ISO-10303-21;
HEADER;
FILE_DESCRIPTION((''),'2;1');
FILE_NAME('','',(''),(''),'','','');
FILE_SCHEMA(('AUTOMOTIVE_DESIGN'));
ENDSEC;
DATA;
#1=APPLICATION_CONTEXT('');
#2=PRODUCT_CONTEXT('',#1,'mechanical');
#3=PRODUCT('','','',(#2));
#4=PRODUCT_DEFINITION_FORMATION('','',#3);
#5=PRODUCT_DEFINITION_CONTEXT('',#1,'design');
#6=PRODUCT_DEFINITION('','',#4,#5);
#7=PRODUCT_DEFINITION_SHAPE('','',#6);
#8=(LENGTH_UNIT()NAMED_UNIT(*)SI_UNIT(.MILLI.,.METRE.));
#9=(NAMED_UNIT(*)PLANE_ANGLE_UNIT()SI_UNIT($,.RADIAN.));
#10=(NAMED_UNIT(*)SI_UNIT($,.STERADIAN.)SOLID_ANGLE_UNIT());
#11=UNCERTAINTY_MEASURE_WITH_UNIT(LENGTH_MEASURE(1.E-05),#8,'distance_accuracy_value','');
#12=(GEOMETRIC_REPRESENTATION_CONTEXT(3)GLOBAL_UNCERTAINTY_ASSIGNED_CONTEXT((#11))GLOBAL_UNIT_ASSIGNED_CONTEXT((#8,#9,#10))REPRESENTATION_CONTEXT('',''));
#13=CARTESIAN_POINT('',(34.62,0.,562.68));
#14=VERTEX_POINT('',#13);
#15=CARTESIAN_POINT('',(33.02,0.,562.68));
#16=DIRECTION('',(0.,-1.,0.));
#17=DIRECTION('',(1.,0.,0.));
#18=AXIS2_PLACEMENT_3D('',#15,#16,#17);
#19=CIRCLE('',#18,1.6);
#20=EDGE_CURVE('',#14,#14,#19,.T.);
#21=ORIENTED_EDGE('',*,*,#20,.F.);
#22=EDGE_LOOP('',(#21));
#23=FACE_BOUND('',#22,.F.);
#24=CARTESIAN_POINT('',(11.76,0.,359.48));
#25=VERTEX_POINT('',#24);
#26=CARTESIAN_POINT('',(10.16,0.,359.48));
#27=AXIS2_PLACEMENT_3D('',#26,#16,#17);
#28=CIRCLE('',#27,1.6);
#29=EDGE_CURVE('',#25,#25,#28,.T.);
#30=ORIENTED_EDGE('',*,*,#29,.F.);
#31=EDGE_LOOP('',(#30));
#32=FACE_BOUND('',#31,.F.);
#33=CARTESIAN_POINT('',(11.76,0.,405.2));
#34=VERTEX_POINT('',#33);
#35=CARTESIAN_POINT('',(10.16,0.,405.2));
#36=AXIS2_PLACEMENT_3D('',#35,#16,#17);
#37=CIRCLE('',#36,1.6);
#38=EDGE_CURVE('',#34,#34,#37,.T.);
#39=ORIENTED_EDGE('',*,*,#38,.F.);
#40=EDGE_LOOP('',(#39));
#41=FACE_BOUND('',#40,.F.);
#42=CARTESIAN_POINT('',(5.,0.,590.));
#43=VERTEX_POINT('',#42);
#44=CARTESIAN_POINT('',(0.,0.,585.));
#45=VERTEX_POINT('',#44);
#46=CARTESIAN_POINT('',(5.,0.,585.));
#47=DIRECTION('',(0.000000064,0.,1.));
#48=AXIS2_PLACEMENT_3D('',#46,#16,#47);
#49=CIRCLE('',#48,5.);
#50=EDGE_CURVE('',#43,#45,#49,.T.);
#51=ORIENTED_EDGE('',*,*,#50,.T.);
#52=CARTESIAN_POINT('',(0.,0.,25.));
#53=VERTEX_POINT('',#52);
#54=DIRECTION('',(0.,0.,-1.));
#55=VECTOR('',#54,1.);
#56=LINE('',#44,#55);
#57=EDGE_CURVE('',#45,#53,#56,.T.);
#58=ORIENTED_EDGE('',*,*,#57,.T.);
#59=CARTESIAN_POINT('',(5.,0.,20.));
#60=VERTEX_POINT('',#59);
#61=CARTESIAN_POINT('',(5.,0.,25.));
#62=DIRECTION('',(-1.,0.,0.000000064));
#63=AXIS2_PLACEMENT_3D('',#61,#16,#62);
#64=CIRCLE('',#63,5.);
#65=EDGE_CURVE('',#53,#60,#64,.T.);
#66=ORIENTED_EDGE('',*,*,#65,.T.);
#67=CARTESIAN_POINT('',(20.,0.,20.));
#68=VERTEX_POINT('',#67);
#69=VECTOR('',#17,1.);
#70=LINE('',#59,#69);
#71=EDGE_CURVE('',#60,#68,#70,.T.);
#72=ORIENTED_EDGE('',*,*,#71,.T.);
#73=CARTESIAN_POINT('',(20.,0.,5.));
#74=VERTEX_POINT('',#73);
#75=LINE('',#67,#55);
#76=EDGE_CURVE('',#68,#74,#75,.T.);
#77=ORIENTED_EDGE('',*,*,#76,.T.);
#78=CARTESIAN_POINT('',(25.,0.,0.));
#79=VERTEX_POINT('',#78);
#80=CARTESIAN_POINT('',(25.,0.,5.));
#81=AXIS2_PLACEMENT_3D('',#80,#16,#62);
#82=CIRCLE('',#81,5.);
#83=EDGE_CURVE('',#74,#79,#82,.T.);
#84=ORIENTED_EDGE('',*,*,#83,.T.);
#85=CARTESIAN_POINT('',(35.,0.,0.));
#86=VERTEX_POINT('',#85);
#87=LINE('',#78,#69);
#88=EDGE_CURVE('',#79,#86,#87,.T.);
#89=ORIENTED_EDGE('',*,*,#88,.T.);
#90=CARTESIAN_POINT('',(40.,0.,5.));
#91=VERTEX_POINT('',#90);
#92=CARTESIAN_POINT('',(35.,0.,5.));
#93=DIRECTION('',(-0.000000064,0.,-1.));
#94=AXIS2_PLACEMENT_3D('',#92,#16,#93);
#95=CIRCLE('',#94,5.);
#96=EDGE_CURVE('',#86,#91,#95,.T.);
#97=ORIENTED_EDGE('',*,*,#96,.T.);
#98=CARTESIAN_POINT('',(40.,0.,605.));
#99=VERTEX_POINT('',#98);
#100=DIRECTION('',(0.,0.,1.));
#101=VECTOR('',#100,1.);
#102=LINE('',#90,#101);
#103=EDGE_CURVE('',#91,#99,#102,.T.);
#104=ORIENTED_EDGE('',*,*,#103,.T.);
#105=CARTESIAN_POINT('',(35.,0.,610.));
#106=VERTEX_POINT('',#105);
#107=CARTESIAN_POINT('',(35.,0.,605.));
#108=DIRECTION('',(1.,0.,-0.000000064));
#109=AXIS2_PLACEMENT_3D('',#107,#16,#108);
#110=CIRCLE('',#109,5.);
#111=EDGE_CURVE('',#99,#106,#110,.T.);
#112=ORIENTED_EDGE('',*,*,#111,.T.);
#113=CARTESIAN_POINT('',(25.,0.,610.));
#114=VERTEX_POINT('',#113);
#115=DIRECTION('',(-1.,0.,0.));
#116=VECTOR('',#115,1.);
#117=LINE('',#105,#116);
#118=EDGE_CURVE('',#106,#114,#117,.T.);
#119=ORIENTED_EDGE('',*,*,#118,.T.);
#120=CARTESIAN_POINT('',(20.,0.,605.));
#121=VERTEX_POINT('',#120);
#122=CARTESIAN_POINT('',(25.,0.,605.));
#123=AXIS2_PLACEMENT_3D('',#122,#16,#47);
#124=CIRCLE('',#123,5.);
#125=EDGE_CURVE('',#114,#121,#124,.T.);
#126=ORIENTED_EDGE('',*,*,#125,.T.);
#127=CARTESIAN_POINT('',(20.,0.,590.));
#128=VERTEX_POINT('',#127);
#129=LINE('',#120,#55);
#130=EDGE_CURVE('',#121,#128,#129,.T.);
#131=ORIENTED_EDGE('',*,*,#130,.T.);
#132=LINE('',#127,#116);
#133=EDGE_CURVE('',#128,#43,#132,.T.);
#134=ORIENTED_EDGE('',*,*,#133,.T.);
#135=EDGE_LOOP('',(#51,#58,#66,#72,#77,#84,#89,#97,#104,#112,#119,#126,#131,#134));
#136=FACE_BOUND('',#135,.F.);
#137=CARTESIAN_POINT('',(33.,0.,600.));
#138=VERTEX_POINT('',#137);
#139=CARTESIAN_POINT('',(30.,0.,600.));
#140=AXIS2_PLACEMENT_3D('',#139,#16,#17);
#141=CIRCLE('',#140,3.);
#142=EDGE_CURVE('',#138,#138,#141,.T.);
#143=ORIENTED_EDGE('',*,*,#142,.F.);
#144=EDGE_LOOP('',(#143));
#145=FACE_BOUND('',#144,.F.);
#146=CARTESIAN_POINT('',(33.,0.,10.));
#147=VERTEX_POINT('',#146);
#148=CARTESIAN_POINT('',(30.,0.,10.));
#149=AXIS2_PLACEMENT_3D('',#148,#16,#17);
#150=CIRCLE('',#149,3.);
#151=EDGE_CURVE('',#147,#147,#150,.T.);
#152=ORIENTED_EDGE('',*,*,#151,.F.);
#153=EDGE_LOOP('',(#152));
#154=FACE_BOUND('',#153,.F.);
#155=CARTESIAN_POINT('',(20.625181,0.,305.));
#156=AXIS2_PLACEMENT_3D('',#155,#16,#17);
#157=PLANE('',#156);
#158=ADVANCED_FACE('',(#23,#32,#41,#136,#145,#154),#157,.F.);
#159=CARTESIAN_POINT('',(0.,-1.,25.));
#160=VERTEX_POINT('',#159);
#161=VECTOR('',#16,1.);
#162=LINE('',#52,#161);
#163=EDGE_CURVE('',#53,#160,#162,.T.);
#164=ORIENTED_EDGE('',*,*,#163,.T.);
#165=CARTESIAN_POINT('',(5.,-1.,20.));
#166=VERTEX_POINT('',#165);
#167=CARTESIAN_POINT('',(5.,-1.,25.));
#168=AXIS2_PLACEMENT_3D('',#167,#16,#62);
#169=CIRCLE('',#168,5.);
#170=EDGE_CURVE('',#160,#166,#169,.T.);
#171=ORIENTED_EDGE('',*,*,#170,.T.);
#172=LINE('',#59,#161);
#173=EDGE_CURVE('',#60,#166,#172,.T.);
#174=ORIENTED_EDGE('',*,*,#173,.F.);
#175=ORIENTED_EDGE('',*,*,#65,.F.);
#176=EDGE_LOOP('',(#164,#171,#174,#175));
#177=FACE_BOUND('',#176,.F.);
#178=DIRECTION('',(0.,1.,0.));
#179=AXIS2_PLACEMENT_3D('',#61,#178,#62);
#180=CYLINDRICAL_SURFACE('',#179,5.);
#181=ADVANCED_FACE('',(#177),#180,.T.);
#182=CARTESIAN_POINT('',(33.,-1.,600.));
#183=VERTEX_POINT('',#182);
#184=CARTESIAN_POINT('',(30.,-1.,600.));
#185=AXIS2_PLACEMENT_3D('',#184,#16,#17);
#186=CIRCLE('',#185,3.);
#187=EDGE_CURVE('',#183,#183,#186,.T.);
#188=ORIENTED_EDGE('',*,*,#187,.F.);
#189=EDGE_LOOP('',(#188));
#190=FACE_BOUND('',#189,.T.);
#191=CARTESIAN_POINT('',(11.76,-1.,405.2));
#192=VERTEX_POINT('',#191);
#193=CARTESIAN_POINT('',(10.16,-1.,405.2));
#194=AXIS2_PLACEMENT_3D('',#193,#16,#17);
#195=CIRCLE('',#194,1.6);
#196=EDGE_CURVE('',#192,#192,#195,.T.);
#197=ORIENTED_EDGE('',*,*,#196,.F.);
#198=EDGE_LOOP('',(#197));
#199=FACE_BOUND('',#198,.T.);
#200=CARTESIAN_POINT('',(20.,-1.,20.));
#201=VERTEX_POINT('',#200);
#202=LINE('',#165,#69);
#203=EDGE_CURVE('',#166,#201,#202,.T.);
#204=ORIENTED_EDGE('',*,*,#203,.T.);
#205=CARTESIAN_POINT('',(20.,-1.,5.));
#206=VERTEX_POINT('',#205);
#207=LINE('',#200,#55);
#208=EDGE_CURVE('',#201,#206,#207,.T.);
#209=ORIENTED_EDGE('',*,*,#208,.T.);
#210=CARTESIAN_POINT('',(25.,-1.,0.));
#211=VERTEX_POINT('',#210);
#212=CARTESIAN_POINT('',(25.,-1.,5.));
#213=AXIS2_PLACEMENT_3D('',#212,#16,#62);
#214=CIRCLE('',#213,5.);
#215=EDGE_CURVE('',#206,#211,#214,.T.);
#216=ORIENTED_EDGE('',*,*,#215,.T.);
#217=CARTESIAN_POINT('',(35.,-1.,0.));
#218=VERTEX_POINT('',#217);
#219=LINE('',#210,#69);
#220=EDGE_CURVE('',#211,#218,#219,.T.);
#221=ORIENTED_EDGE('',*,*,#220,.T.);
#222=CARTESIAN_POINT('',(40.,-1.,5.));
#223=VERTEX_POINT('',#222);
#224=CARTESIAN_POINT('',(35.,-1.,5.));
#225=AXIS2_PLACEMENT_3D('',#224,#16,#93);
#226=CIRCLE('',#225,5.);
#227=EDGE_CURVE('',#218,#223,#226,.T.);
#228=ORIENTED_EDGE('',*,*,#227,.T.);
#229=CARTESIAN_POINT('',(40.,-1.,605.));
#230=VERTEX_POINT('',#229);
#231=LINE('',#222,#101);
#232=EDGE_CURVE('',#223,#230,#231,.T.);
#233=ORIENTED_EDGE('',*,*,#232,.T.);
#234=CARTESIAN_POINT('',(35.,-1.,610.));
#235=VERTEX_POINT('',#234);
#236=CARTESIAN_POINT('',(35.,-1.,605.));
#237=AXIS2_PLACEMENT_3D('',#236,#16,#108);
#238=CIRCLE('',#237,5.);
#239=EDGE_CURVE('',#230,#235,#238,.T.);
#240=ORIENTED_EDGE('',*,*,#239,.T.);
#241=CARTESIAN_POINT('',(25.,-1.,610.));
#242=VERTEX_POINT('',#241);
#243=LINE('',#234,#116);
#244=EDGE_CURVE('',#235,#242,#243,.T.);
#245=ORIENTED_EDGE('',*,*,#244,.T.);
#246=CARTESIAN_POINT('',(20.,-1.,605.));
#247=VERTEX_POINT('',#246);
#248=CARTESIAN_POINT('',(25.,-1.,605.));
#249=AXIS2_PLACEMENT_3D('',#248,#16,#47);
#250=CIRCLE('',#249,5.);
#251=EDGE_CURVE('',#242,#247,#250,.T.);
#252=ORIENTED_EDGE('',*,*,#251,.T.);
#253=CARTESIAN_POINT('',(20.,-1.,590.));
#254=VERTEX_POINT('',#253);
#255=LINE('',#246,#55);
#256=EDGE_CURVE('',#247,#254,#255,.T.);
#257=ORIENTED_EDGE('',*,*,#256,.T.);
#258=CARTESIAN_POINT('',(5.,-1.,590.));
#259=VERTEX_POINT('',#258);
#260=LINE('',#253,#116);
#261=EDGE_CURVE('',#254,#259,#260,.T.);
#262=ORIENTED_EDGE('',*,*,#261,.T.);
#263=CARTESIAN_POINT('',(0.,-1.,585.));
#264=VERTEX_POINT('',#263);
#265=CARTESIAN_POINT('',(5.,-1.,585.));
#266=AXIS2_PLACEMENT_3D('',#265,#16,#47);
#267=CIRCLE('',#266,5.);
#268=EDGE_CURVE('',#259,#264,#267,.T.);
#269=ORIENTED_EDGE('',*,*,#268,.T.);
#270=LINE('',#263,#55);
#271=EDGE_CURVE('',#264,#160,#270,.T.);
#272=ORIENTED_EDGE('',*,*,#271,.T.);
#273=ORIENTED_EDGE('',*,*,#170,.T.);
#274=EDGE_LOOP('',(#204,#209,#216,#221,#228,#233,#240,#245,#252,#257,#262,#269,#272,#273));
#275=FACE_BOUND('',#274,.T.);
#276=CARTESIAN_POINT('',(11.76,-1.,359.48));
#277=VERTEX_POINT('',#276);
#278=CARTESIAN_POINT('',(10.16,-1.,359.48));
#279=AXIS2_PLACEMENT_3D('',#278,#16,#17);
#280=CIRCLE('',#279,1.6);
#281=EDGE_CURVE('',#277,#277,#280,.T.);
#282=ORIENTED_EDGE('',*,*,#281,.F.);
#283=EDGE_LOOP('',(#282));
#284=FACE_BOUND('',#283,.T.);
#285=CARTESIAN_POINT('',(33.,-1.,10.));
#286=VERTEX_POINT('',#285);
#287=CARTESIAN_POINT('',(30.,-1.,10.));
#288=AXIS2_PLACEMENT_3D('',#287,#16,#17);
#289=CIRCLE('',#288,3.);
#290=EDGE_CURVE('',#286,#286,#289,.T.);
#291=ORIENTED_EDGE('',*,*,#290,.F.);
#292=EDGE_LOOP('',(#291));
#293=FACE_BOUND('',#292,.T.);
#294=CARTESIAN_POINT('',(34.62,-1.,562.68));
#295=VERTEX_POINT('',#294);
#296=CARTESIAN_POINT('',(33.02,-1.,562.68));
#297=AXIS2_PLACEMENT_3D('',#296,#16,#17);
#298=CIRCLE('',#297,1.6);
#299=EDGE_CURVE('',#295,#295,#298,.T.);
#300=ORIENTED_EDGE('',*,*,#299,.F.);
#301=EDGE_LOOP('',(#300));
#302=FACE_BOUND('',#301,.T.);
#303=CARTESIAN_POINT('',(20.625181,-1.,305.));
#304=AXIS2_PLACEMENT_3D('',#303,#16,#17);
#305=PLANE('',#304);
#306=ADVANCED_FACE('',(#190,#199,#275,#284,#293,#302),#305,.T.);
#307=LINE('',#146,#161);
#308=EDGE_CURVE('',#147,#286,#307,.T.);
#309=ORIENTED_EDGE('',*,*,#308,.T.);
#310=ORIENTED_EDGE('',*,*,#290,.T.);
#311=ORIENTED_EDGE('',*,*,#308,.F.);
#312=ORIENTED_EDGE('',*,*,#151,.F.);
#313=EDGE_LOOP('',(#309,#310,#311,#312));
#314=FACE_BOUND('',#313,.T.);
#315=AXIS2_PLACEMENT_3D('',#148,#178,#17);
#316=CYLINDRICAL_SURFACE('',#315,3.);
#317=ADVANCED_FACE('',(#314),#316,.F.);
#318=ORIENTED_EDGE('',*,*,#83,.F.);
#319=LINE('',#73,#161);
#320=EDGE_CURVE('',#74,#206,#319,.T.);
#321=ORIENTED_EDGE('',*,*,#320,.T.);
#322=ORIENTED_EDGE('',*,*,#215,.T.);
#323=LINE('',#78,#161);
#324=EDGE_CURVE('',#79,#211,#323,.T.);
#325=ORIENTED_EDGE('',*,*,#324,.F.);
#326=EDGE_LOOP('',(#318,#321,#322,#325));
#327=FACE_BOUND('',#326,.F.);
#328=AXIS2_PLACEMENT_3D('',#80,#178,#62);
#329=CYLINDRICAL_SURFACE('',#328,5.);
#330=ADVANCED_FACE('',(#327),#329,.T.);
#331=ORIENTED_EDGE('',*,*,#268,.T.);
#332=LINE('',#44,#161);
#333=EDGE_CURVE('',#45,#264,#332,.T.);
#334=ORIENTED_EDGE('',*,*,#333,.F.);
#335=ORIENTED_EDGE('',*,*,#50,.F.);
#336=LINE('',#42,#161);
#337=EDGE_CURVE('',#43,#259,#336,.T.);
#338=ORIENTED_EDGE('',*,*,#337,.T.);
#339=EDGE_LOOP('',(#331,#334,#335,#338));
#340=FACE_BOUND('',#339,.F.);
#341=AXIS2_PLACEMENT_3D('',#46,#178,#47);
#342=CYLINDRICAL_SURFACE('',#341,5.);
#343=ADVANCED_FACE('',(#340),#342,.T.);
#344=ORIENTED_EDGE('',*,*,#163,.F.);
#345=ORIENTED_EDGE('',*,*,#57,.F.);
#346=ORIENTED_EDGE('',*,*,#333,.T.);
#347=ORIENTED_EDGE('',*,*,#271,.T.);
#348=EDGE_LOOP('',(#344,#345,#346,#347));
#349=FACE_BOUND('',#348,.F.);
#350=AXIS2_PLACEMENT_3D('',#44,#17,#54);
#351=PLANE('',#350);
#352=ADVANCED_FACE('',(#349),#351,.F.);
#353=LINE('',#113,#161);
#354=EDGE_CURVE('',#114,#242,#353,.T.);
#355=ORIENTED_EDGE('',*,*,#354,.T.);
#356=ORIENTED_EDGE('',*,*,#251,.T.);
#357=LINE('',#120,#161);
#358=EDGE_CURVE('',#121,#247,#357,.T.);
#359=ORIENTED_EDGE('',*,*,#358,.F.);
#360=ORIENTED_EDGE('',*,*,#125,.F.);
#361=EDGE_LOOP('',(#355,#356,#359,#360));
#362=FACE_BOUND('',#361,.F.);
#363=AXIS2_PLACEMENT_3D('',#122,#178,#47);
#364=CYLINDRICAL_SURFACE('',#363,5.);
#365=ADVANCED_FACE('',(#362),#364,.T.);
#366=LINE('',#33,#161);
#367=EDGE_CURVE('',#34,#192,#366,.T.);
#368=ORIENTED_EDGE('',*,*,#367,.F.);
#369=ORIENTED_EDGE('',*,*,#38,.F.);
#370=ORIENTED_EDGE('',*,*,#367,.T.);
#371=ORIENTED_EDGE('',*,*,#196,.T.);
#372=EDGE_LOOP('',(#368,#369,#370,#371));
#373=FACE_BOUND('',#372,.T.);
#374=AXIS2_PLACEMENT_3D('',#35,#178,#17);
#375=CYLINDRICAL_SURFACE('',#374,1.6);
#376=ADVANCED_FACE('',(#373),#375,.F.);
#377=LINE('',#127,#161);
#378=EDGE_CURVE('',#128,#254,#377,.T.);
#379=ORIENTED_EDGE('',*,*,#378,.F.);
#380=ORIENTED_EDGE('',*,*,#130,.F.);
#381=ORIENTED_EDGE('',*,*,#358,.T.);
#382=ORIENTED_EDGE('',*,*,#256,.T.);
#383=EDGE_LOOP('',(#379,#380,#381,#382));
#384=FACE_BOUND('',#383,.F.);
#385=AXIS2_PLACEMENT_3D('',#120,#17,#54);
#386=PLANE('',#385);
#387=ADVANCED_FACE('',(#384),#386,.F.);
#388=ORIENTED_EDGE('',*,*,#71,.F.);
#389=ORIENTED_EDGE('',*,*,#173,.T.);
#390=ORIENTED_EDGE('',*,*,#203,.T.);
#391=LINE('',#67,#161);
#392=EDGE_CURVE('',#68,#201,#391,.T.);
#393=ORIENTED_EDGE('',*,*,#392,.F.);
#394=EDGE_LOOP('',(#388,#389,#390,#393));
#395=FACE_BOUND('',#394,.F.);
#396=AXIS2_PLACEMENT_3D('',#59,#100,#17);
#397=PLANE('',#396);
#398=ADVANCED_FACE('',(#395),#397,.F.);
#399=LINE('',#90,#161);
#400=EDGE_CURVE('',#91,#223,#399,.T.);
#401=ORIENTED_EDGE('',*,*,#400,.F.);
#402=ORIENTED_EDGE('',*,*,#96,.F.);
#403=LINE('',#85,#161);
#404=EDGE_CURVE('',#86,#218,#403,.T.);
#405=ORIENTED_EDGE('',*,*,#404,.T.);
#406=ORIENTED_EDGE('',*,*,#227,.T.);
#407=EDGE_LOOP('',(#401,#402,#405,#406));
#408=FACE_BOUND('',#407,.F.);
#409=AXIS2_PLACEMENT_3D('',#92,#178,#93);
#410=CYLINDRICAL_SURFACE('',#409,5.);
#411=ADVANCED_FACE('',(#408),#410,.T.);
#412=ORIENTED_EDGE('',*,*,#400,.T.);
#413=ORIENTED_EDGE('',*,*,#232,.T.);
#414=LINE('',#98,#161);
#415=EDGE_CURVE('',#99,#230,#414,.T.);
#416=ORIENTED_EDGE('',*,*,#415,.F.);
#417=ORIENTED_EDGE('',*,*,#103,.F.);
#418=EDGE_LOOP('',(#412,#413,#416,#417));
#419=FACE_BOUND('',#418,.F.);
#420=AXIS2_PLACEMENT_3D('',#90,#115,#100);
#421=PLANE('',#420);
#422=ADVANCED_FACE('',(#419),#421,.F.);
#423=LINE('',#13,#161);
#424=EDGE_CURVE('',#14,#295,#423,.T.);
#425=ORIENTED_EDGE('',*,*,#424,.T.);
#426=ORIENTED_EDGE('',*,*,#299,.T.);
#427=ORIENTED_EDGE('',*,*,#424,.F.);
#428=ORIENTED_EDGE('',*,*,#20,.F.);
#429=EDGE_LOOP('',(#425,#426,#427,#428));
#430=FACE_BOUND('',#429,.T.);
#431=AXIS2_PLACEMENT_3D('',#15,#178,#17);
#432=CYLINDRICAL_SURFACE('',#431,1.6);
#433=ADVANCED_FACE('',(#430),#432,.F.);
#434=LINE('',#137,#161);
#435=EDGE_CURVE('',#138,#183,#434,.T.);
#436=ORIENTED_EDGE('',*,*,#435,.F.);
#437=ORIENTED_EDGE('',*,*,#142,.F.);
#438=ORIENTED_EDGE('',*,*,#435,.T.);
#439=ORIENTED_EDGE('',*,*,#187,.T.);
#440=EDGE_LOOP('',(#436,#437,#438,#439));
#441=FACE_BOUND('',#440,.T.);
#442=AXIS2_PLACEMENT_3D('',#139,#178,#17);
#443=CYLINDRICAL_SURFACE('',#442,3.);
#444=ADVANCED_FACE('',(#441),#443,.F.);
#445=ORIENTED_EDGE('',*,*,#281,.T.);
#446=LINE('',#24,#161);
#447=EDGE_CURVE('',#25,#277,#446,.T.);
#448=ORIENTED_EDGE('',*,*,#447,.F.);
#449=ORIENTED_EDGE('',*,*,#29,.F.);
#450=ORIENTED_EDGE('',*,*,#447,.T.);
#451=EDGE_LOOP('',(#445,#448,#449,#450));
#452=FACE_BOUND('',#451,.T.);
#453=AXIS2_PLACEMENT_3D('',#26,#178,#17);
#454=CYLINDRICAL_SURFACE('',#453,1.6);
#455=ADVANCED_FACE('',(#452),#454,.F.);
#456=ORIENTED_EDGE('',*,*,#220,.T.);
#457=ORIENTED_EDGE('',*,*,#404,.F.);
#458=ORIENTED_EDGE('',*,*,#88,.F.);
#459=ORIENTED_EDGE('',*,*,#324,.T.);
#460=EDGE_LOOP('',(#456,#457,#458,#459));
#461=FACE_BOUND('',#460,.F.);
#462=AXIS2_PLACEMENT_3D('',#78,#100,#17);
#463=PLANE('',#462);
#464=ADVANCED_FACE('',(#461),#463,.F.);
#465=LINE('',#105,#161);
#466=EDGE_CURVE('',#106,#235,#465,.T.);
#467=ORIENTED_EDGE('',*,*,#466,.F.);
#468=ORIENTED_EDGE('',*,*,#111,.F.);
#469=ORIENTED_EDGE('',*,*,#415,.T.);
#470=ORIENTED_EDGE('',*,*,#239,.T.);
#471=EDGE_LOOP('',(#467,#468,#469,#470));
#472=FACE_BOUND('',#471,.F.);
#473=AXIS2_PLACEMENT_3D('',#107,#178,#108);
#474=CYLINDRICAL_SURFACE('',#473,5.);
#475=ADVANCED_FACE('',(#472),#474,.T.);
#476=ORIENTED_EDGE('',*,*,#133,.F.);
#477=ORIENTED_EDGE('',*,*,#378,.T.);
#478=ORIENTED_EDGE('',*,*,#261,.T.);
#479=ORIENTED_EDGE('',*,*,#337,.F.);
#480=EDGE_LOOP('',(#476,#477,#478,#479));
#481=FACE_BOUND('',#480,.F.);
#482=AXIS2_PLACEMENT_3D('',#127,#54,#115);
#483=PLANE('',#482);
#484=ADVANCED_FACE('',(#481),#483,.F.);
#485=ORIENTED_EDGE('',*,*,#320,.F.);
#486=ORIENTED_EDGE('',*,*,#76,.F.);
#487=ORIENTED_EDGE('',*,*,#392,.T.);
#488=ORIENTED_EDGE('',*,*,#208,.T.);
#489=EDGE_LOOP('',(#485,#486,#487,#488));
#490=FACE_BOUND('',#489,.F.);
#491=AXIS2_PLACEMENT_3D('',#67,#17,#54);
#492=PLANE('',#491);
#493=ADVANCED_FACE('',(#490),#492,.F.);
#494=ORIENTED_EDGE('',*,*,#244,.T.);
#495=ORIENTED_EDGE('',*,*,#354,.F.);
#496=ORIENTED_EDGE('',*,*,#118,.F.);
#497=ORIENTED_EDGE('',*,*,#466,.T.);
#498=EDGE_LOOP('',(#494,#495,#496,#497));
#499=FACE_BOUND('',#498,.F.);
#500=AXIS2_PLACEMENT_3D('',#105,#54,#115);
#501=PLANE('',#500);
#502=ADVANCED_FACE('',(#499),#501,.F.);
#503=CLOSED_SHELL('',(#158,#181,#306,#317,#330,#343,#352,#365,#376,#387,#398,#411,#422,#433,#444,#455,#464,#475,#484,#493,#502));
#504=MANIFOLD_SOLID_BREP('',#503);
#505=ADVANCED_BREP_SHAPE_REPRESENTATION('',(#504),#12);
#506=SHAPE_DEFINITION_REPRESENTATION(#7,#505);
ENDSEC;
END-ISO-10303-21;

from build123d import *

# Parameters (mm, degrees)
F0_R     = 3
F0_R_2   = 1.6
F1_DEPTH = 1


with BuildPart() as f1:
    # F0 (on Front) → F1 (new body)
    with BuildSketch(Plane.XZ):
        with BuildLine():
            Line((20, 20), (20, 5))
            ThreePointArc((20, 5), (21.464466, 1.464466), (25, 0))
            Line((25, 0), (35, 0))
            ThreePointArc((35, 0), (38.535534, 1.464466), (40, 5))
            Line((40, 5), (40, 605))
            ThreePointArc((40, 605), (38.535534, 608.535534), (35, 610))
            Line((35, 610), (25, 610))
            ThreePointArc((25, 610), (21.464466, 608.535534), (20, 605))
            Line((20, 605), (20, 590))
            Line((20, 590), (5, 590))
            ThreePointArc((5, 590), (1.464466, 588.535534), (0, 585))
            Line((0, 585), (0, 25))
            ThreePointArc((0, 25), (1.464466, 21.464466), (5, 20))
            Line((5, 20), (20, 20))
        make_face()
        with Locations((30, 10)):
            Circle(F0_R, mode=Mode.SUBTRACT)
        with Locations((10.16, 359.48)):
            Circle(F0_R_2, mode=Mode.SUBTRACT)
        with Locations((10.16, 405.2)):
            Circle(F0_R_2, mode=Mode.SUBTRACT)
        with Locations((33.02, 562.68)):
            Circle(F0_R_2, mode=Mode.SUBTRACT)
        with Locations((30, 600)):
            Circle(F0_R, mode=Mode.SUBTRACT)
    extrude(amount=F1_DEPTH)


solid = f1.part
